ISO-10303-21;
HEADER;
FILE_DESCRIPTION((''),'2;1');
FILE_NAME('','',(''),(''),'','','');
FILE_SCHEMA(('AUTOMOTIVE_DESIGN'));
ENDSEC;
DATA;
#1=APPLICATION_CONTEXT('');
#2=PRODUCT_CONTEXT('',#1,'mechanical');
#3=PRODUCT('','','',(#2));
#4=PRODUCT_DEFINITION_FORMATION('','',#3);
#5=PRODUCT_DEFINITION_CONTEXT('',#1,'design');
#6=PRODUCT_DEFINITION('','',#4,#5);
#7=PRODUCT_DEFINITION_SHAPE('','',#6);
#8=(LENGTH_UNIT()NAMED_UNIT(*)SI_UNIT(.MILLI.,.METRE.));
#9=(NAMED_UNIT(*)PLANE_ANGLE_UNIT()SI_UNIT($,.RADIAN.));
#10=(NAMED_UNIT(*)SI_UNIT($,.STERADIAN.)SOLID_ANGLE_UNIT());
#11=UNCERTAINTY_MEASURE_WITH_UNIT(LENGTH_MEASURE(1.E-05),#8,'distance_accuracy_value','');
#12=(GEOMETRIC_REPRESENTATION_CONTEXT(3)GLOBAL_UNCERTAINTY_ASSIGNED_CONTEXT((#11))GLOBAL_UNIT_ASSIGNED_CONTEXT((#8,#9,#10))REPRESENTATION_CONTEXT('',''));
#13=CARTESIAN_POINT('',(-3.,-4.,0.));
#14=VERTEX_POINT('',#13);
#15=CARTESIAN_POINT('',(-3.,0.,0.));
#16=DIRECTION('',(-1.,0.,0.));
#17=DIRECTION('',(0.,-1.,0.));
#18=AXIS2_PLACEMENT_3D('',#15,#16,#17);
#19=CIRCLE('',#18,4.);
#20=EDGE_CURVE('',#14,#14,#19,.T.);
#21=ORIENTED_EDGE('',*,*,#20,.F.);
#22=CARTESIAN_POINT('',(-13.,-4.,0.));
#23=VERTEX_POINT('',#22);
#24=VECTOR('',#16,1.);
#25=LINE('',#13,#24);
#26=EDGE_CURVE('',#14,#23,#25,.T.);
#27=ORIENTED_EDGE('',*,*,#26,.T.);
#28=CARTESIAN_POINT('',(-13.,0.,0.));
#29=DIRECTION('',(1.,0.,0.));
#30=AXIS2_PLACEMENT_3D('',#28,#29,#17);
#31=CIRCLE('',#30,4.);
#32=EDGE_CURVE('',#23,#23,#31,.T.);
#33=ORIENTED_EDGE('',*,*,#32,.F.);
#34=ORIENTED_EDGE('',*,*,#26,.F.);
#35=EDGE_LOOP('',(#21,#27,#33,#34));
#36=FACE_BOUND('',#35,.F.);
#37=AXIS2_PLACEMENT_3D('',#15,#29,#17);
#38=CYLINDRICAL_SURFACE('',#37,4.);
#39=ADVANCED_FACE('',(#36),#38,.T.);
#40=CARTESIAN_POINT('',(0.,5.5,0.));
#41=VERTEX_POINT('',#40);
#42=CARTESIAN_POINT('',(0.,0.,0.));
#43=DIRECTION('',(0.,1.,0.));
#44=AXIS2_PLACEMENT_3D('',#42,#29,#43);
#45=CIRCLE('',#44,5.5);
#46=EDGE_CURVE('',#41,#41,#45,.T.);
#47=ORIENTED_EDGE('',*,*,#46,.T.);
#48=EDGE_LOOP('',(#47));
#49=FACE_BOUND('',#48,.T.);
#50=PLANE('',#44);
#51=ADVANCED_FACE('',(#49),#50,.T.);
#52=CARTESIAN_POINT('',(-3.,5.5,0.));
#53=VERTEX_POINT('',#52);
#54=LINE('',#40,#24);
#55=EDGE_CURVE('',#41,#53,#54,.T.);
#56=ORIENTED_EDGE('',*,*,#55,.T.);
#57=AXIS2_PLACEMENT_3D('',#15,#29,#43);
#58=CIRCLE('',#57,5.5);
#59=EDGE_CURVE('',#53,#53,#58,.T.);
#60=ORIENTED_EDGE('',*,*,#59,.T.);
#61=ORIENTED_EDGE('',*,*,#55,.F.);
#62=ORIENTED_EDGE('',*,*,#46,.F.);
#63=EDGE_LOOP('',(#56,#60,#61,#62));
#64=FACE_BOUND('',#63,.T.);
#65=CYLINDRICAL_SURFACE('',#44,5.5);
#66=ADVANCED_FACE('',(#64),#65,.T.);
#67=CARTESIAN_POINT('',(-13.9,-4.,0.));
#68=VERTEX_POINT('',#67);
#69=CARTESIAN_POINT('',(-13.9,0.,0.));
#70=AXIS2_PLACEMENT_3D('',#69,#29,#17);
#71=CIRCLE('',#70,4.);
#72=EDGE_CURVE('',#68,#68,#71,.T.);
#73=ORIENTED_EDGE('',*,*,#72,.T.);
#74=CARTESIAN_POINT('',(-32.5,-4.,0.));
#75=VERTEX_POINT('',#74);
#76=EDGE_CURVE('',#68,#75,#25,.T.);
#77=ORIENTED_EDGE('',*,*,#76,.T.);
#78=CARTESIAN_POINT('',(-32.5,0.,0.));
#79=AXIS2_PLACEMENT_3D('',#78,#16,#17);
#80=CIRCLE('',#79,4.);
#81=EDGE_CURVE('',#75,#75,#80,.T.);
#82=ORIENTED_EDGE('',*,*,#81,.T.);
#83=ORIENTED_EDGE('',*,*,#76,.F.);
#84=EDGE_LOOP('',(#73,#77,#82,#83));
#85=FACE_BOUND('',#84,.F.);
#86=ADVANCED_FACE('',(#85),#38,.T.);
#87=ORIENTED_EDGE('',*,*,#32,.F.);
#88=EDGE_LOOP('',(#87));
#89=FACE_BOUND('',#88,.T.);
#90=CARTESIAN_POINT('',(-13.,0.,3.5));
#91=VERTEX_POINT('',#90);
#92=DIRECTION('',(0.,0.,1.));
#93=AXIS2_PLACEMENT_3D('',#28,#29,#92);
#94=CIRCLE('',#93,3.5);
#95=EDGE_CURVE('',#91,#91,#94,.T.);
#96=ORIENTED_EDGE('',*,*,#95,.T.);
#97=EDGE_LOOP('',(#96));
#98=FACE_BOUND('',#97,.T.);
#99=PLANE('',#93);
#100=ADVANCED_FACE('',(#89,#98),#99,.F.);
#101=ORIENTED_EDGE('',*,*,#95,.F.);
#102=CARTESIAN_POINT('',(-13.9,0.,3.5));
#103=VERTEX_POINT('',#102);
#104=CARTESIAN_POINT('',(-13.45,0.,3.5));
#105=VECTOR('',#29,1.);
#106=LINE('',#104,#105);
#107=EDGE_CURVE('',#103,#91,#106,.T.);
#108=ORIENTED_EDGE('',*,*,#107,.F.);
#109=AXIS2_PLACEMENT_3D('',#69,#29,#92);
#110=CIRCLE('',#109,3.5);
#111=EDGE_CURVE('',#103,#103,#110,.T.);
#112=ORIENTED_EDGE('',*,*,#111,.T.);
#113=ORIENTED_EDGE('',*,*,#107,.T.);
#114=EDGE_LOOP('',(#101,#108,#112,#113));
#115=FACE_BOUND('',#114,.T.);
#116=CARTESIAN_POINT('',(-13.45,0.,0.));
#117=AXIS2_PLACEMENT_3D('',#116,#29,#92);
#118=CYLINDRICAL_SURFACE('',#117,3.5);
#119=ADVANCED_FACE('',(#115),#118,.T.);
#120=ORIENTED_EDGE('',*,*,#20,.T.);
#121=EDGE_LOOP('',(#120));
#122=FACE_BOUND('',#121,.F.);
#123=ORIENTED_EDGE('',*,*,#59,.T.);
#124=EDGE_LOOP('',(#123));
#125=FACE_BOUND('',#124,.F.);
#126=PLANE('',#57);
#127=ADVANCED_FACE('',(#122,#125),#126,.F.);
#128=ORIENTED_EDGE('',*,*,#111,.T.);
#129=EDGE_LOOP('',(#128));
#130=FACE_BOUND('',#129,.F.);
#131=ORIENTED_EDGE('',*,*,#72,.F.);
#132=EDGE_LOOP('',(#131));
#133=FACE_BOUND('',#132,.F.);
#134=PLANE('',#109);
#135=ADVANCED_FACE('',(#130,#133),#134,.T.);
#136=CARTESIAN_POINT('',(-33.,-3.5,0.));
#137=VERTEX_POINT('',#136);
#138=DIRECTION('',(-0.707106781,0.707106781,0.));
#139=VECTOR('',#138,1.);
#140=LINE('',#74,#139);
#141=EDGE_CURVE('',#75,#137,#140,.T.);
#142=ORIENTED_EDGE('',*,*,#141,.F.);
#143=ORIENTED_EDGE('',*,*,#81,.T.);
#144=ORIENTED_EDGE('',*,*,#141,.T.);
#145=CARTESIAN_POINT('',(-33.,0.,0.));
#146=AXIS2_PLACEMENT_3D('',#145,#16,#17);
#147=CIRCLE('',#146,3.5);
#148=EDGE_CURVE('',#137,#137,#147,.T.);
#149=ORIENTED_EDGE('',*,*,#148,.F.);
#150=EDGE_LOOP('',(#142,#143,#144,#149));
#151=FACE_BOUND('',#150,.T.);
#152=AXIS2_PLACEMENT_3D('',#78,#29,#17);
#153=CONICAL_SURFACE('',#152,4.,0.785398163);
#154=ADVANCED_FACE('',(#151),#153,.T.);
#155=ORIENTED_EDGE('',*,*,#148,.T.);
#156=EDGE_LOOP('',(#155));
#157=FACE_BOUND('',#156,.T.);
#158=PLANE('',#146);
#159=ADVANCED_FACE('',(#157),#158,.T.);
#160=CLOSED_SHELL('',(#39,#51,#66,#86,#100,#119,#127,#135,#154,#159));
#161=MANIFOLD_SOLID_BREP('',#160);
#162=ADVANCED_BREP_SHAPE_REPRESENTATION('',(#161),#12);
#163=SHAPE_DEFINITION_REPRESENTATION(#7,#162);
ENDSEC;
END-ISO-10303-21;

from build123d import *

# Parameters (mm, degrees)
F0_R     = 5.5
F1_DEPTH = 3
F2_R     = 4
F3_DEPTH = 30
F4_W     = 0.9
F4_H     = 0.5
F6_SIZE  = 0.5


with BuildPart() as f1:
    # F0 (on Right) → F1 (new body)
    with BuildSketch(Plane.YZ):
        Circle(F0_R)
    extrude(amount=-F1_DEPTH)

    # F2 (on face) → F3 (join)
    with BuildSketch(Plane(origin=(-3, 0, 0), x_dir=(0, -1, 0), z_dir=(-1, 0, 0))):
        Circle(F2_R)
    extrude(amount=F3_DEPTH)

    # F4 (on Front) → F5 (revolve, cut)
    with BuildSketch(Plane.XZ):
        with Locations((-13.45, 3.75)):
            Rectangle(F4_W, F4_H)
    revolve(axis=Axis((-16.22575, 0, 0), (1, 0, 0)), mode=Mode.SUBTRACT)

    # F6
    f6_edges = [f1.edges().sort_by_distance(p)[0] for p in [
        (-33, 4, 0),
    ]]
    chamfer(f6_edges, length=F6_SIZE)


solid = f1.part
